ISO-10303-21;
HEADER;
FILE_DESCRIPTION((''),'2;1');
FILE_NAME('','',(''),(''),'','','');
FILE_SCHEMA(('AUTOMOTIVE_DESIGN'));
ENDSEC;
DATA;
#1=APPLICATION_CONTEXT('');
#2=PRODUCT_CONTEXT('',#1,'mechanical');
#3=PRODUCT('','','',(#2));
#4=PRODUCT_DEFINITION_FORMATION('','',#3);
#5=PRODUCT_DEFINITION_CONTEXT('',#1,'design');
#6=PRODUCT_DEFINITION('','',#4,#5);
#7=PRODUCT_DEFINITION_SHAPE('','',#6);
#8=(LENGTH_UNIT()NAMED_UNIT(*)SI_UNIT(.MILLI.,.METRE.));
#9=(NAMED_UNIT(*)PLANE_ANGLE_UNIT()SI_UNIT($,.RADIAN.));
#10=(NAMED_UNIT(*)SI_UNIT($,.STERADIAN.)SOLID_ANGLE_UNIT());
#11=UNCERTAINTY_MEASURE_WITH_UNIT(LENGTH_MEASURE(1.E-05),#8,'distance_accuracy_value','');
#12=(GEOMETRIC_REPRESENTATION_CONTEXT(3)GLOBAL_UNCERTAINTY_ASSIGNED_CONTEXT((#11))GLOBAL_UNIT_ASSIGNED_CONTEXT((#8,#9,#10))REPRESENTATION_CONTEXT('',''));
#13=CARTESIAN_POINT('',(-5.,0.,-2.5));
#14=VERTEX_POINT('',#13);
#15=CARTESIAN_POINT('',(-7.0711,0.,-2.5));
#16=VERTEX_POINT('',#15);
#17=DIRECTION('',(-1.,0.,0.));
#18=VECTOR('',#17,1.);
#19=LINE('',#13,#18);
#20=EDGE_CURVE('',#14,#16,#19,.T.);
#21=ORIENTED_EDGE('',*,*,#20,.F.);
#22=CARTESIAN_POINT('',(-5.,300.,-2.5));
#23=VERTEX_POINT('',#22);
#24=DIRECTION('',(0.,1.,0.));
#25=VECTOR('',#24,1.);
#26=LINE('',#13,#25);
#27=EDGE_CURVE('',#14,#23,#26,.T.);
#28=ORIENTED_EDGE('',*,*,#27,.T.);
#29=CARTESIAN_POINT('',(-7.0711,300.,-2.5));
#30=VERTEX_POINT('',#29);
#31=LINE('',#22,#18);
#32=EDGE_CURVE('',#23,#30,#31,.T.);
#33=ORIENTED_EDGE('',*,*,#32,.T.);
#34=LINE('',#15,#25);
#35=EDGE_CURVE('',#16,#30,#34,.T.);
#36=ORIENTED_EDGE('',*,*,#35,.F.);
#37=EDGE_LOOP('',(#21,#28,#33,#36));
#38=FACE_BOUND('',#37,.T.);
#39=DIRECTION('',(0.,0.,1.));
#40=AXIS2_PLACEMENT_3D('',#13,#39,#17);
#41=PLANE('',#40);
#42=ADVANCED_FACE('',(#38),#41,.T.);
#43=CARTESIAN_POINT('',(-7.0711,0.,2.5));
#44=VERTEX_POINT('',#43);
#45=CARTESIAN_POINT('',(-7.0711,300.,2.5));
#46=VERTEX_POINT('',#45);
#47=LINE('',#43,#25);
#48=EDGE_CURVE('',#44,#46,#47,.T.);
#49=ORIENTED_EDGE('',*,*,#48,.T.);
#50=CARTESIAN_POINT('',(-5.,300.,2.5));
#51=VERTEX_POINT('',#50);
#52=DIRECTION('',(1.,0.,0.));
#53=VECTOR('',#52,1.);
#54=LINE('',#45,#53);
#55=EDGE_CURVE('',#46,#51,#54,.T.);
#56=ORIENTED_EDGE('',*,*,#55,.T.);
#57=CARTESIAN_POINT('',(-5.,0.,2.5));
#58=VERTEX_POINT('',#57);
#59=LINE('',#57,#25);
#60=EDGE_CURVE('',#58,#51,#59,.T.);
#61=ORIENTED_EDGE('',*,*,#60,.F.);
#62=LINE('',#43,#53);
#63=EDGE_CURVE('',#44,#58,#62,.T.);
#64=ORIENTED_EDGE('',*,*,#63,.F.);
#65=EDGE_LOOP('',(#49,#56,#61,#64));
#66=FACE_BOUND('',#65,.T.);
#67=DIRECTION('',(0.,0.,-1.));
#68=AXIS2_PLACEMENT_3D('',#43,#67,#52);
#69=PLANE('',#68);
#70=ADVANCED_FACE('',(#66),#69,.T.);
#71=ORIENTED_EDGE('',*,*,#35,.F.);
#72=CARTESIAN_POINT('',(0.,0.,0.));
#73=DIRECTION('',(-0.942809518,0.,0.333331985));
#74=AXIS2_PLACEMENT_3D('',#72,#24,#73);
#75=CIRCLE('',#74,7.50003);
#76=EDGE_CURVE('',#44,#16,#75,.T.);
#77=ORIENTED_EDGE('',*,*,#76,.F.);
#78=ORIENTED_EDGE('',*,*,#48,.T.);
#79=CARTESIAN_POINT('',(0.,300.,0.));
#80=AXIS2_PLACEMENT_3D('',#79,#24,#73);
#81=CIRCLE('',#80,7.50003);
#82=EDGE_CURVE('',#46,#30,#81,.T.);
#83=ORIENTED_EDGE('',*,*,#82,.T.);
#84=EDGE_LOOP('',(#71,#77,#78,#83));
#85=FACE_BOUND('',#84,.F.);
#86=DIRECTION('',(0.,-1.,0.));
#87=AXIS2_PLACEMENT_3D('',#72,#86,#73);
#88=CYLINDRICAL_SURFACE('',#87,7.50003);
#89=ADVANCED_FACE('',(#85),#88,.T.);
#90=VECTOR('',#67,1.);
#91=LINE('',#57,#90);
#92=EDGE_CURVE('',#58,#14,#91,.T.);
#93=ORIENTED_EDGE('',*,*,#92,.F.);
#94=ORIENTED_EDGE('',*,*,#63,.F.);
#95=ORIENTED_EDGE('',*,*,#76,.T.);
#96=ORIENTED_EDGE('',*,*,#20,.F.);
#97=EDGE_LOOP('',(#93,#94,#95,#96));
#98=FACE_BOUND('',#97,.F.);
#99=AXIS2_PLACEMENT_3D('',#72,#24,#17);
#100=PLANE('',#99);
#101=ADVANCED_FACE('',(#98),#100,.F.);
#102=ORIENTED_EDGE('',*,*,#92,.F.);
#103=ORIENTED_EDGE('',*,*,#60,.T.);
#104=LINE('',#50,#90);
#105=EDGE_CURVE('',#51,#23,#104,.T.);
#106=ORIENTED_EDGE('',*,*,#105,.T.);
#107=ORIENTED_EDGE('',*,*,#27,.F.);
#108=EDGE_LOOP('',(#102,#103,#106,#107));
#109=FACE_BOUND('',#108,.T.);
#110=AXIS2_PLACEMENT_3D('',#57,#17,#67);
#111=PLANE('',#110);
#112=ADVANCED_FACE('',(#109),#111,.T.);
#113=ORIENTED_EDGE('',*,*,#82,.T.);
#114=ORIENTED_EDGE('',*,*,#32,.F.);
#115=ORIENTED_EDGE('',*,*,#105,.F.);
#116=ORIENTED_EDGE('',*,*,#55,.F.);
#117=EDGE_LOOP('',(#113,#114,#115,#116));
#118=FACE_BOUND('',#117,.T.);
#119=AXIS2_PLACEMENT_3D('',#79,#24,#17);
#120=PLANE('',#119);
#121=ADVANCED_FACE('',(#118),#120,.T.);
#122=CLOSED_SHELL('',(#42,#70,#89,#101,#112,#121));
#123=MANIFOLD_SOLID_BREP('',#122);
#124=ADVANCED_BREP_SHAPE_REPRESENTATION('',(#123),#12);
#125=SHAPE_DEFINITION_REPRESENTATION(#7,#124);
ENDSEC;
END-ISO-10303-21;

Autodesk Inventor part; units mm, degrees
ref_plane "YZ Plane" through (0, 0, 0) normal (1, 0, 0) x (0, 1, 0)
ref_plane "XZ Plane" through (0, 0, 0) normal (0, 1, 0) x (-1, 0, 0)
ref_plane "XY Plane" through (0, 0, 0) normal (0, 0, 1) x (1, 0, 0)
sketch "Sketch1" plane through (0, 0, 0) normal (0, 1, 0) x (-1, 0, 0)
  line L0 (0, 10.4293) -> (0, -10.4293) construction
  line L1 (-2.2615, 0) -> (2.2615, 0) construction
  arc A0 (7.0711, 2.5) -> (7.0711, -2.5) centre (0, 0) ccw
  line L2 (7.0711, 2.5) -> (5, 2.5)
  line L3 (5, 2.5) -> (5, -2.5)
  line L4 (5, -2.5) -> (7.0711, -2.5)
  dimension "d0" = 15
  dimension "d1" = 5
  dimension "d2" = 5
extrude "Extrusion1" add sketch "Sketch1" along normal blind 300
properties part number "ShaftNutV1"
